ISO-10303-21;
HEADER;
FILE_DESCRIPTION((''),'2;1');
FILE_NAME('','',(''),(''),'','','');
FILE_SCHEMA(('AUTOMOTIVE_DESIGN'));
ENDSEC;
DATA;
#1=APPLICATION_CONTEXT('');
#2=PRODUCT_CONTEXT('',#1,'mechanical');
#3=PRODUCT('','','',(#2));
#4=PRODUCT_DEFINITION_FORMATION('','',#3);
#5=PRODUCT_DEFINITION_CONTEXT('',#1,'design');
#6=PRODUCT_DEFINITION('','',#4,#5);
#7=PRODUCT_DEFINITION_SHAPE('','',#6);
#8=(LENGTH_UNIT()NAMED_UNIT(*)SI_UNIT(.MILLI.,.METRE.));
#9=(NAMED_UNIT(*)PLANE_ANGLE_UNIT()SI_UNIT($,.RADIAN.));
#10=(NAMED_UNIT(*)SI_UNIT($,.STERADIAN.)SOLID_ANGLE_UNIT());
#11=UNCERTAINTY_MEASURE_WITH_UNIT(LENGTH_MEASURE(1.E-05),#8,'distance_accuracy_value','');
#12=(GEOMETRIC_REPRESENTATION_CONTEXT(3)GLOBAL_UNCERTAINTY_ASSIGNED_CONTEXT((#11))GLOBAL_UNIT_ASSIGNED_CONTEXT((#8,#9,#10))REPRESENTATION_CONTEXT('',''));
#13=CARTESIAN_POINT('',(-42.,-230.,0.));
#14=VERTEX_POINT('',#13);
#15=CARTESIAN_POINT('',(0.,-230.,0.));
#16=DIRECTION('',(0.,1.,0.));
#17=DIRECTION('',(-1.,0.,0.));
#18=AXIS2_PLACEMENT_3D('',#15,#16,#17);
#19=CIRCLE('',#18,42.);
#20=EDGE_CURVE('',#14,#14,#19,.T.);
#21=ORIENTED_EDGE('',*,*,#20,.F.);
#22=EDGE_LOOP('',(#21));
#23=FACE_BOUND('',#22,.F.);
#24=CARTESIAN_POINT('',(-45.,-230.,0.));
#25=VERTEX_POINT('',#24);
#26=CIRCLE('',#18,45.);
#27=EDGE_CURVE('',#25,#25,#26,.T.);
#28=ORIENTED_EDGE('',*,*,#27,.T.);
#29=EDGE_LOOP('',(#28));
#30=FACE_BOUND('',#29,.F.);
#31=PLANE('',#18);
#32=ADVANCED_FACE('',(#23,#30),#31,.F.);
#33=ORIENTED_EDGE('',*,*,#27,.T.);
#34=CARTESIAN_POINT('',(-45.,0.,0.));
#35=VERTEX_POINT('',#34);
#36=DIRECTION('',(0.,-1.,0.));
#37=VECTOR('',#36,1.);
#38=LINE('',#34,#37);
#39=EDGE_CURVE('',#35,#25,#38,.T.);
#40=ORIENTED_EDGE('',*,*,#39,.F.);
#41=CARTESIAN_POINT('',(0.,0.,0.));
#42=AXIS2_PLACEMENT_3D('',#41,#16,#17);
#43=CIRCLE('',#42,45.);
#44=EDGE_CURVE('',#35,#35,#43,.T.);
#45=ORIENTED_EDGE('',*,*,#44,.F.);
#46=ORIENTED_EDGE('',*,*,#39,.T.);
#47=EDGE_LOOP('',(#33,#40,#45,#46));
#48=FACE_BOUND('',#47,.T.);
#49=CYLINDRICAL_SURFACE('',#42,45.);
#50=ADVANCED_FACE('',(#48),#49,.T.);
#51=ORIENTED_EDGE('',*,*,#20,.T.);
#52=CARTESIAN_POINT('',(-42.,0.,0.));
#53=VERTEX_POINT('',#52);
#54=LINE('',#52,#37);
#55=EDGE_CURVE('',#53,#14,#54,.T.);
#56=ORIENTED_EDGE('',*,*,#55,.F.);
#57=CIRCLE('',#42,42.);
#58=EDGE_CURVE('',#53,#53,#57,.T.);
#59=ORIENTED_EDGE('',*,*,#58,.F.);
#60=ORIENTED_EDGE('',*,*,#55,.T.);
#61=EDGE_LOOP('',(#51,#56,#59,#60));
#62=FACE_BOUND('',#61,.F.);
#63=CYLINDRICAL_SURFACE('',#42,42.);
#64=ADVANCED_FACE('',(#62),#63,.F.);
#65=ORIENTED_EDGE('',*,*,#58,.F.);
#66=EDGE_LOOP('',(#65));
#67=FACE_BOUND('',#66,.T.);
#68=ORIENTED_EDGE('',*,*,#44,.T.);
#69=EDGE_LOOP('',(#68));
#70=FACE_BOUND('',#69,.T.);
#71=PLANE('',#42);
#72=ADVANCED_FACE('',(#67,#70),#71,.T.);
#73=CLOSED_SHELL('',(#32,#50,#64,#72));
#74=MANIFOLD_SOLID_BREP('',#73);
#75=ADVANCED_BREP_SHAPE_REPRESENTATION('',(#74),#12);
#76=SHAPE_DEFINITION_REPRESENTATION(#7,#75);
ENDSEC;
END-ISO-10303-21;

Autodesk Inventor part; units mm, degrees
ref_plane "YZ Plane" through (0, 0, 0) normal (1, 0, 0) x (0, 1, 0)
ref_plane "XZ Plane" through (0, 0, 0) normal (0, 1, 0) x (-1, 0, 0)
ref_plane "XY Plane" through (0, 0, 0) normal (0, 0, 1) x (1, 0, 0)
sketch "Sketch1" plane through (0, 0, 0) normal (0, 1, 0) x (-1, 0, 0)
  circle A0 centre (0, 0) radius 45
  circle A1 centre (0, 0) radius 42
  dimension "d0" = 90
  dimension "d1" = 3
extrude "Extrusion1" add sketch "Sketch1" against normal blind 230
properties part number "PNS 1614 FDS tube 4"
